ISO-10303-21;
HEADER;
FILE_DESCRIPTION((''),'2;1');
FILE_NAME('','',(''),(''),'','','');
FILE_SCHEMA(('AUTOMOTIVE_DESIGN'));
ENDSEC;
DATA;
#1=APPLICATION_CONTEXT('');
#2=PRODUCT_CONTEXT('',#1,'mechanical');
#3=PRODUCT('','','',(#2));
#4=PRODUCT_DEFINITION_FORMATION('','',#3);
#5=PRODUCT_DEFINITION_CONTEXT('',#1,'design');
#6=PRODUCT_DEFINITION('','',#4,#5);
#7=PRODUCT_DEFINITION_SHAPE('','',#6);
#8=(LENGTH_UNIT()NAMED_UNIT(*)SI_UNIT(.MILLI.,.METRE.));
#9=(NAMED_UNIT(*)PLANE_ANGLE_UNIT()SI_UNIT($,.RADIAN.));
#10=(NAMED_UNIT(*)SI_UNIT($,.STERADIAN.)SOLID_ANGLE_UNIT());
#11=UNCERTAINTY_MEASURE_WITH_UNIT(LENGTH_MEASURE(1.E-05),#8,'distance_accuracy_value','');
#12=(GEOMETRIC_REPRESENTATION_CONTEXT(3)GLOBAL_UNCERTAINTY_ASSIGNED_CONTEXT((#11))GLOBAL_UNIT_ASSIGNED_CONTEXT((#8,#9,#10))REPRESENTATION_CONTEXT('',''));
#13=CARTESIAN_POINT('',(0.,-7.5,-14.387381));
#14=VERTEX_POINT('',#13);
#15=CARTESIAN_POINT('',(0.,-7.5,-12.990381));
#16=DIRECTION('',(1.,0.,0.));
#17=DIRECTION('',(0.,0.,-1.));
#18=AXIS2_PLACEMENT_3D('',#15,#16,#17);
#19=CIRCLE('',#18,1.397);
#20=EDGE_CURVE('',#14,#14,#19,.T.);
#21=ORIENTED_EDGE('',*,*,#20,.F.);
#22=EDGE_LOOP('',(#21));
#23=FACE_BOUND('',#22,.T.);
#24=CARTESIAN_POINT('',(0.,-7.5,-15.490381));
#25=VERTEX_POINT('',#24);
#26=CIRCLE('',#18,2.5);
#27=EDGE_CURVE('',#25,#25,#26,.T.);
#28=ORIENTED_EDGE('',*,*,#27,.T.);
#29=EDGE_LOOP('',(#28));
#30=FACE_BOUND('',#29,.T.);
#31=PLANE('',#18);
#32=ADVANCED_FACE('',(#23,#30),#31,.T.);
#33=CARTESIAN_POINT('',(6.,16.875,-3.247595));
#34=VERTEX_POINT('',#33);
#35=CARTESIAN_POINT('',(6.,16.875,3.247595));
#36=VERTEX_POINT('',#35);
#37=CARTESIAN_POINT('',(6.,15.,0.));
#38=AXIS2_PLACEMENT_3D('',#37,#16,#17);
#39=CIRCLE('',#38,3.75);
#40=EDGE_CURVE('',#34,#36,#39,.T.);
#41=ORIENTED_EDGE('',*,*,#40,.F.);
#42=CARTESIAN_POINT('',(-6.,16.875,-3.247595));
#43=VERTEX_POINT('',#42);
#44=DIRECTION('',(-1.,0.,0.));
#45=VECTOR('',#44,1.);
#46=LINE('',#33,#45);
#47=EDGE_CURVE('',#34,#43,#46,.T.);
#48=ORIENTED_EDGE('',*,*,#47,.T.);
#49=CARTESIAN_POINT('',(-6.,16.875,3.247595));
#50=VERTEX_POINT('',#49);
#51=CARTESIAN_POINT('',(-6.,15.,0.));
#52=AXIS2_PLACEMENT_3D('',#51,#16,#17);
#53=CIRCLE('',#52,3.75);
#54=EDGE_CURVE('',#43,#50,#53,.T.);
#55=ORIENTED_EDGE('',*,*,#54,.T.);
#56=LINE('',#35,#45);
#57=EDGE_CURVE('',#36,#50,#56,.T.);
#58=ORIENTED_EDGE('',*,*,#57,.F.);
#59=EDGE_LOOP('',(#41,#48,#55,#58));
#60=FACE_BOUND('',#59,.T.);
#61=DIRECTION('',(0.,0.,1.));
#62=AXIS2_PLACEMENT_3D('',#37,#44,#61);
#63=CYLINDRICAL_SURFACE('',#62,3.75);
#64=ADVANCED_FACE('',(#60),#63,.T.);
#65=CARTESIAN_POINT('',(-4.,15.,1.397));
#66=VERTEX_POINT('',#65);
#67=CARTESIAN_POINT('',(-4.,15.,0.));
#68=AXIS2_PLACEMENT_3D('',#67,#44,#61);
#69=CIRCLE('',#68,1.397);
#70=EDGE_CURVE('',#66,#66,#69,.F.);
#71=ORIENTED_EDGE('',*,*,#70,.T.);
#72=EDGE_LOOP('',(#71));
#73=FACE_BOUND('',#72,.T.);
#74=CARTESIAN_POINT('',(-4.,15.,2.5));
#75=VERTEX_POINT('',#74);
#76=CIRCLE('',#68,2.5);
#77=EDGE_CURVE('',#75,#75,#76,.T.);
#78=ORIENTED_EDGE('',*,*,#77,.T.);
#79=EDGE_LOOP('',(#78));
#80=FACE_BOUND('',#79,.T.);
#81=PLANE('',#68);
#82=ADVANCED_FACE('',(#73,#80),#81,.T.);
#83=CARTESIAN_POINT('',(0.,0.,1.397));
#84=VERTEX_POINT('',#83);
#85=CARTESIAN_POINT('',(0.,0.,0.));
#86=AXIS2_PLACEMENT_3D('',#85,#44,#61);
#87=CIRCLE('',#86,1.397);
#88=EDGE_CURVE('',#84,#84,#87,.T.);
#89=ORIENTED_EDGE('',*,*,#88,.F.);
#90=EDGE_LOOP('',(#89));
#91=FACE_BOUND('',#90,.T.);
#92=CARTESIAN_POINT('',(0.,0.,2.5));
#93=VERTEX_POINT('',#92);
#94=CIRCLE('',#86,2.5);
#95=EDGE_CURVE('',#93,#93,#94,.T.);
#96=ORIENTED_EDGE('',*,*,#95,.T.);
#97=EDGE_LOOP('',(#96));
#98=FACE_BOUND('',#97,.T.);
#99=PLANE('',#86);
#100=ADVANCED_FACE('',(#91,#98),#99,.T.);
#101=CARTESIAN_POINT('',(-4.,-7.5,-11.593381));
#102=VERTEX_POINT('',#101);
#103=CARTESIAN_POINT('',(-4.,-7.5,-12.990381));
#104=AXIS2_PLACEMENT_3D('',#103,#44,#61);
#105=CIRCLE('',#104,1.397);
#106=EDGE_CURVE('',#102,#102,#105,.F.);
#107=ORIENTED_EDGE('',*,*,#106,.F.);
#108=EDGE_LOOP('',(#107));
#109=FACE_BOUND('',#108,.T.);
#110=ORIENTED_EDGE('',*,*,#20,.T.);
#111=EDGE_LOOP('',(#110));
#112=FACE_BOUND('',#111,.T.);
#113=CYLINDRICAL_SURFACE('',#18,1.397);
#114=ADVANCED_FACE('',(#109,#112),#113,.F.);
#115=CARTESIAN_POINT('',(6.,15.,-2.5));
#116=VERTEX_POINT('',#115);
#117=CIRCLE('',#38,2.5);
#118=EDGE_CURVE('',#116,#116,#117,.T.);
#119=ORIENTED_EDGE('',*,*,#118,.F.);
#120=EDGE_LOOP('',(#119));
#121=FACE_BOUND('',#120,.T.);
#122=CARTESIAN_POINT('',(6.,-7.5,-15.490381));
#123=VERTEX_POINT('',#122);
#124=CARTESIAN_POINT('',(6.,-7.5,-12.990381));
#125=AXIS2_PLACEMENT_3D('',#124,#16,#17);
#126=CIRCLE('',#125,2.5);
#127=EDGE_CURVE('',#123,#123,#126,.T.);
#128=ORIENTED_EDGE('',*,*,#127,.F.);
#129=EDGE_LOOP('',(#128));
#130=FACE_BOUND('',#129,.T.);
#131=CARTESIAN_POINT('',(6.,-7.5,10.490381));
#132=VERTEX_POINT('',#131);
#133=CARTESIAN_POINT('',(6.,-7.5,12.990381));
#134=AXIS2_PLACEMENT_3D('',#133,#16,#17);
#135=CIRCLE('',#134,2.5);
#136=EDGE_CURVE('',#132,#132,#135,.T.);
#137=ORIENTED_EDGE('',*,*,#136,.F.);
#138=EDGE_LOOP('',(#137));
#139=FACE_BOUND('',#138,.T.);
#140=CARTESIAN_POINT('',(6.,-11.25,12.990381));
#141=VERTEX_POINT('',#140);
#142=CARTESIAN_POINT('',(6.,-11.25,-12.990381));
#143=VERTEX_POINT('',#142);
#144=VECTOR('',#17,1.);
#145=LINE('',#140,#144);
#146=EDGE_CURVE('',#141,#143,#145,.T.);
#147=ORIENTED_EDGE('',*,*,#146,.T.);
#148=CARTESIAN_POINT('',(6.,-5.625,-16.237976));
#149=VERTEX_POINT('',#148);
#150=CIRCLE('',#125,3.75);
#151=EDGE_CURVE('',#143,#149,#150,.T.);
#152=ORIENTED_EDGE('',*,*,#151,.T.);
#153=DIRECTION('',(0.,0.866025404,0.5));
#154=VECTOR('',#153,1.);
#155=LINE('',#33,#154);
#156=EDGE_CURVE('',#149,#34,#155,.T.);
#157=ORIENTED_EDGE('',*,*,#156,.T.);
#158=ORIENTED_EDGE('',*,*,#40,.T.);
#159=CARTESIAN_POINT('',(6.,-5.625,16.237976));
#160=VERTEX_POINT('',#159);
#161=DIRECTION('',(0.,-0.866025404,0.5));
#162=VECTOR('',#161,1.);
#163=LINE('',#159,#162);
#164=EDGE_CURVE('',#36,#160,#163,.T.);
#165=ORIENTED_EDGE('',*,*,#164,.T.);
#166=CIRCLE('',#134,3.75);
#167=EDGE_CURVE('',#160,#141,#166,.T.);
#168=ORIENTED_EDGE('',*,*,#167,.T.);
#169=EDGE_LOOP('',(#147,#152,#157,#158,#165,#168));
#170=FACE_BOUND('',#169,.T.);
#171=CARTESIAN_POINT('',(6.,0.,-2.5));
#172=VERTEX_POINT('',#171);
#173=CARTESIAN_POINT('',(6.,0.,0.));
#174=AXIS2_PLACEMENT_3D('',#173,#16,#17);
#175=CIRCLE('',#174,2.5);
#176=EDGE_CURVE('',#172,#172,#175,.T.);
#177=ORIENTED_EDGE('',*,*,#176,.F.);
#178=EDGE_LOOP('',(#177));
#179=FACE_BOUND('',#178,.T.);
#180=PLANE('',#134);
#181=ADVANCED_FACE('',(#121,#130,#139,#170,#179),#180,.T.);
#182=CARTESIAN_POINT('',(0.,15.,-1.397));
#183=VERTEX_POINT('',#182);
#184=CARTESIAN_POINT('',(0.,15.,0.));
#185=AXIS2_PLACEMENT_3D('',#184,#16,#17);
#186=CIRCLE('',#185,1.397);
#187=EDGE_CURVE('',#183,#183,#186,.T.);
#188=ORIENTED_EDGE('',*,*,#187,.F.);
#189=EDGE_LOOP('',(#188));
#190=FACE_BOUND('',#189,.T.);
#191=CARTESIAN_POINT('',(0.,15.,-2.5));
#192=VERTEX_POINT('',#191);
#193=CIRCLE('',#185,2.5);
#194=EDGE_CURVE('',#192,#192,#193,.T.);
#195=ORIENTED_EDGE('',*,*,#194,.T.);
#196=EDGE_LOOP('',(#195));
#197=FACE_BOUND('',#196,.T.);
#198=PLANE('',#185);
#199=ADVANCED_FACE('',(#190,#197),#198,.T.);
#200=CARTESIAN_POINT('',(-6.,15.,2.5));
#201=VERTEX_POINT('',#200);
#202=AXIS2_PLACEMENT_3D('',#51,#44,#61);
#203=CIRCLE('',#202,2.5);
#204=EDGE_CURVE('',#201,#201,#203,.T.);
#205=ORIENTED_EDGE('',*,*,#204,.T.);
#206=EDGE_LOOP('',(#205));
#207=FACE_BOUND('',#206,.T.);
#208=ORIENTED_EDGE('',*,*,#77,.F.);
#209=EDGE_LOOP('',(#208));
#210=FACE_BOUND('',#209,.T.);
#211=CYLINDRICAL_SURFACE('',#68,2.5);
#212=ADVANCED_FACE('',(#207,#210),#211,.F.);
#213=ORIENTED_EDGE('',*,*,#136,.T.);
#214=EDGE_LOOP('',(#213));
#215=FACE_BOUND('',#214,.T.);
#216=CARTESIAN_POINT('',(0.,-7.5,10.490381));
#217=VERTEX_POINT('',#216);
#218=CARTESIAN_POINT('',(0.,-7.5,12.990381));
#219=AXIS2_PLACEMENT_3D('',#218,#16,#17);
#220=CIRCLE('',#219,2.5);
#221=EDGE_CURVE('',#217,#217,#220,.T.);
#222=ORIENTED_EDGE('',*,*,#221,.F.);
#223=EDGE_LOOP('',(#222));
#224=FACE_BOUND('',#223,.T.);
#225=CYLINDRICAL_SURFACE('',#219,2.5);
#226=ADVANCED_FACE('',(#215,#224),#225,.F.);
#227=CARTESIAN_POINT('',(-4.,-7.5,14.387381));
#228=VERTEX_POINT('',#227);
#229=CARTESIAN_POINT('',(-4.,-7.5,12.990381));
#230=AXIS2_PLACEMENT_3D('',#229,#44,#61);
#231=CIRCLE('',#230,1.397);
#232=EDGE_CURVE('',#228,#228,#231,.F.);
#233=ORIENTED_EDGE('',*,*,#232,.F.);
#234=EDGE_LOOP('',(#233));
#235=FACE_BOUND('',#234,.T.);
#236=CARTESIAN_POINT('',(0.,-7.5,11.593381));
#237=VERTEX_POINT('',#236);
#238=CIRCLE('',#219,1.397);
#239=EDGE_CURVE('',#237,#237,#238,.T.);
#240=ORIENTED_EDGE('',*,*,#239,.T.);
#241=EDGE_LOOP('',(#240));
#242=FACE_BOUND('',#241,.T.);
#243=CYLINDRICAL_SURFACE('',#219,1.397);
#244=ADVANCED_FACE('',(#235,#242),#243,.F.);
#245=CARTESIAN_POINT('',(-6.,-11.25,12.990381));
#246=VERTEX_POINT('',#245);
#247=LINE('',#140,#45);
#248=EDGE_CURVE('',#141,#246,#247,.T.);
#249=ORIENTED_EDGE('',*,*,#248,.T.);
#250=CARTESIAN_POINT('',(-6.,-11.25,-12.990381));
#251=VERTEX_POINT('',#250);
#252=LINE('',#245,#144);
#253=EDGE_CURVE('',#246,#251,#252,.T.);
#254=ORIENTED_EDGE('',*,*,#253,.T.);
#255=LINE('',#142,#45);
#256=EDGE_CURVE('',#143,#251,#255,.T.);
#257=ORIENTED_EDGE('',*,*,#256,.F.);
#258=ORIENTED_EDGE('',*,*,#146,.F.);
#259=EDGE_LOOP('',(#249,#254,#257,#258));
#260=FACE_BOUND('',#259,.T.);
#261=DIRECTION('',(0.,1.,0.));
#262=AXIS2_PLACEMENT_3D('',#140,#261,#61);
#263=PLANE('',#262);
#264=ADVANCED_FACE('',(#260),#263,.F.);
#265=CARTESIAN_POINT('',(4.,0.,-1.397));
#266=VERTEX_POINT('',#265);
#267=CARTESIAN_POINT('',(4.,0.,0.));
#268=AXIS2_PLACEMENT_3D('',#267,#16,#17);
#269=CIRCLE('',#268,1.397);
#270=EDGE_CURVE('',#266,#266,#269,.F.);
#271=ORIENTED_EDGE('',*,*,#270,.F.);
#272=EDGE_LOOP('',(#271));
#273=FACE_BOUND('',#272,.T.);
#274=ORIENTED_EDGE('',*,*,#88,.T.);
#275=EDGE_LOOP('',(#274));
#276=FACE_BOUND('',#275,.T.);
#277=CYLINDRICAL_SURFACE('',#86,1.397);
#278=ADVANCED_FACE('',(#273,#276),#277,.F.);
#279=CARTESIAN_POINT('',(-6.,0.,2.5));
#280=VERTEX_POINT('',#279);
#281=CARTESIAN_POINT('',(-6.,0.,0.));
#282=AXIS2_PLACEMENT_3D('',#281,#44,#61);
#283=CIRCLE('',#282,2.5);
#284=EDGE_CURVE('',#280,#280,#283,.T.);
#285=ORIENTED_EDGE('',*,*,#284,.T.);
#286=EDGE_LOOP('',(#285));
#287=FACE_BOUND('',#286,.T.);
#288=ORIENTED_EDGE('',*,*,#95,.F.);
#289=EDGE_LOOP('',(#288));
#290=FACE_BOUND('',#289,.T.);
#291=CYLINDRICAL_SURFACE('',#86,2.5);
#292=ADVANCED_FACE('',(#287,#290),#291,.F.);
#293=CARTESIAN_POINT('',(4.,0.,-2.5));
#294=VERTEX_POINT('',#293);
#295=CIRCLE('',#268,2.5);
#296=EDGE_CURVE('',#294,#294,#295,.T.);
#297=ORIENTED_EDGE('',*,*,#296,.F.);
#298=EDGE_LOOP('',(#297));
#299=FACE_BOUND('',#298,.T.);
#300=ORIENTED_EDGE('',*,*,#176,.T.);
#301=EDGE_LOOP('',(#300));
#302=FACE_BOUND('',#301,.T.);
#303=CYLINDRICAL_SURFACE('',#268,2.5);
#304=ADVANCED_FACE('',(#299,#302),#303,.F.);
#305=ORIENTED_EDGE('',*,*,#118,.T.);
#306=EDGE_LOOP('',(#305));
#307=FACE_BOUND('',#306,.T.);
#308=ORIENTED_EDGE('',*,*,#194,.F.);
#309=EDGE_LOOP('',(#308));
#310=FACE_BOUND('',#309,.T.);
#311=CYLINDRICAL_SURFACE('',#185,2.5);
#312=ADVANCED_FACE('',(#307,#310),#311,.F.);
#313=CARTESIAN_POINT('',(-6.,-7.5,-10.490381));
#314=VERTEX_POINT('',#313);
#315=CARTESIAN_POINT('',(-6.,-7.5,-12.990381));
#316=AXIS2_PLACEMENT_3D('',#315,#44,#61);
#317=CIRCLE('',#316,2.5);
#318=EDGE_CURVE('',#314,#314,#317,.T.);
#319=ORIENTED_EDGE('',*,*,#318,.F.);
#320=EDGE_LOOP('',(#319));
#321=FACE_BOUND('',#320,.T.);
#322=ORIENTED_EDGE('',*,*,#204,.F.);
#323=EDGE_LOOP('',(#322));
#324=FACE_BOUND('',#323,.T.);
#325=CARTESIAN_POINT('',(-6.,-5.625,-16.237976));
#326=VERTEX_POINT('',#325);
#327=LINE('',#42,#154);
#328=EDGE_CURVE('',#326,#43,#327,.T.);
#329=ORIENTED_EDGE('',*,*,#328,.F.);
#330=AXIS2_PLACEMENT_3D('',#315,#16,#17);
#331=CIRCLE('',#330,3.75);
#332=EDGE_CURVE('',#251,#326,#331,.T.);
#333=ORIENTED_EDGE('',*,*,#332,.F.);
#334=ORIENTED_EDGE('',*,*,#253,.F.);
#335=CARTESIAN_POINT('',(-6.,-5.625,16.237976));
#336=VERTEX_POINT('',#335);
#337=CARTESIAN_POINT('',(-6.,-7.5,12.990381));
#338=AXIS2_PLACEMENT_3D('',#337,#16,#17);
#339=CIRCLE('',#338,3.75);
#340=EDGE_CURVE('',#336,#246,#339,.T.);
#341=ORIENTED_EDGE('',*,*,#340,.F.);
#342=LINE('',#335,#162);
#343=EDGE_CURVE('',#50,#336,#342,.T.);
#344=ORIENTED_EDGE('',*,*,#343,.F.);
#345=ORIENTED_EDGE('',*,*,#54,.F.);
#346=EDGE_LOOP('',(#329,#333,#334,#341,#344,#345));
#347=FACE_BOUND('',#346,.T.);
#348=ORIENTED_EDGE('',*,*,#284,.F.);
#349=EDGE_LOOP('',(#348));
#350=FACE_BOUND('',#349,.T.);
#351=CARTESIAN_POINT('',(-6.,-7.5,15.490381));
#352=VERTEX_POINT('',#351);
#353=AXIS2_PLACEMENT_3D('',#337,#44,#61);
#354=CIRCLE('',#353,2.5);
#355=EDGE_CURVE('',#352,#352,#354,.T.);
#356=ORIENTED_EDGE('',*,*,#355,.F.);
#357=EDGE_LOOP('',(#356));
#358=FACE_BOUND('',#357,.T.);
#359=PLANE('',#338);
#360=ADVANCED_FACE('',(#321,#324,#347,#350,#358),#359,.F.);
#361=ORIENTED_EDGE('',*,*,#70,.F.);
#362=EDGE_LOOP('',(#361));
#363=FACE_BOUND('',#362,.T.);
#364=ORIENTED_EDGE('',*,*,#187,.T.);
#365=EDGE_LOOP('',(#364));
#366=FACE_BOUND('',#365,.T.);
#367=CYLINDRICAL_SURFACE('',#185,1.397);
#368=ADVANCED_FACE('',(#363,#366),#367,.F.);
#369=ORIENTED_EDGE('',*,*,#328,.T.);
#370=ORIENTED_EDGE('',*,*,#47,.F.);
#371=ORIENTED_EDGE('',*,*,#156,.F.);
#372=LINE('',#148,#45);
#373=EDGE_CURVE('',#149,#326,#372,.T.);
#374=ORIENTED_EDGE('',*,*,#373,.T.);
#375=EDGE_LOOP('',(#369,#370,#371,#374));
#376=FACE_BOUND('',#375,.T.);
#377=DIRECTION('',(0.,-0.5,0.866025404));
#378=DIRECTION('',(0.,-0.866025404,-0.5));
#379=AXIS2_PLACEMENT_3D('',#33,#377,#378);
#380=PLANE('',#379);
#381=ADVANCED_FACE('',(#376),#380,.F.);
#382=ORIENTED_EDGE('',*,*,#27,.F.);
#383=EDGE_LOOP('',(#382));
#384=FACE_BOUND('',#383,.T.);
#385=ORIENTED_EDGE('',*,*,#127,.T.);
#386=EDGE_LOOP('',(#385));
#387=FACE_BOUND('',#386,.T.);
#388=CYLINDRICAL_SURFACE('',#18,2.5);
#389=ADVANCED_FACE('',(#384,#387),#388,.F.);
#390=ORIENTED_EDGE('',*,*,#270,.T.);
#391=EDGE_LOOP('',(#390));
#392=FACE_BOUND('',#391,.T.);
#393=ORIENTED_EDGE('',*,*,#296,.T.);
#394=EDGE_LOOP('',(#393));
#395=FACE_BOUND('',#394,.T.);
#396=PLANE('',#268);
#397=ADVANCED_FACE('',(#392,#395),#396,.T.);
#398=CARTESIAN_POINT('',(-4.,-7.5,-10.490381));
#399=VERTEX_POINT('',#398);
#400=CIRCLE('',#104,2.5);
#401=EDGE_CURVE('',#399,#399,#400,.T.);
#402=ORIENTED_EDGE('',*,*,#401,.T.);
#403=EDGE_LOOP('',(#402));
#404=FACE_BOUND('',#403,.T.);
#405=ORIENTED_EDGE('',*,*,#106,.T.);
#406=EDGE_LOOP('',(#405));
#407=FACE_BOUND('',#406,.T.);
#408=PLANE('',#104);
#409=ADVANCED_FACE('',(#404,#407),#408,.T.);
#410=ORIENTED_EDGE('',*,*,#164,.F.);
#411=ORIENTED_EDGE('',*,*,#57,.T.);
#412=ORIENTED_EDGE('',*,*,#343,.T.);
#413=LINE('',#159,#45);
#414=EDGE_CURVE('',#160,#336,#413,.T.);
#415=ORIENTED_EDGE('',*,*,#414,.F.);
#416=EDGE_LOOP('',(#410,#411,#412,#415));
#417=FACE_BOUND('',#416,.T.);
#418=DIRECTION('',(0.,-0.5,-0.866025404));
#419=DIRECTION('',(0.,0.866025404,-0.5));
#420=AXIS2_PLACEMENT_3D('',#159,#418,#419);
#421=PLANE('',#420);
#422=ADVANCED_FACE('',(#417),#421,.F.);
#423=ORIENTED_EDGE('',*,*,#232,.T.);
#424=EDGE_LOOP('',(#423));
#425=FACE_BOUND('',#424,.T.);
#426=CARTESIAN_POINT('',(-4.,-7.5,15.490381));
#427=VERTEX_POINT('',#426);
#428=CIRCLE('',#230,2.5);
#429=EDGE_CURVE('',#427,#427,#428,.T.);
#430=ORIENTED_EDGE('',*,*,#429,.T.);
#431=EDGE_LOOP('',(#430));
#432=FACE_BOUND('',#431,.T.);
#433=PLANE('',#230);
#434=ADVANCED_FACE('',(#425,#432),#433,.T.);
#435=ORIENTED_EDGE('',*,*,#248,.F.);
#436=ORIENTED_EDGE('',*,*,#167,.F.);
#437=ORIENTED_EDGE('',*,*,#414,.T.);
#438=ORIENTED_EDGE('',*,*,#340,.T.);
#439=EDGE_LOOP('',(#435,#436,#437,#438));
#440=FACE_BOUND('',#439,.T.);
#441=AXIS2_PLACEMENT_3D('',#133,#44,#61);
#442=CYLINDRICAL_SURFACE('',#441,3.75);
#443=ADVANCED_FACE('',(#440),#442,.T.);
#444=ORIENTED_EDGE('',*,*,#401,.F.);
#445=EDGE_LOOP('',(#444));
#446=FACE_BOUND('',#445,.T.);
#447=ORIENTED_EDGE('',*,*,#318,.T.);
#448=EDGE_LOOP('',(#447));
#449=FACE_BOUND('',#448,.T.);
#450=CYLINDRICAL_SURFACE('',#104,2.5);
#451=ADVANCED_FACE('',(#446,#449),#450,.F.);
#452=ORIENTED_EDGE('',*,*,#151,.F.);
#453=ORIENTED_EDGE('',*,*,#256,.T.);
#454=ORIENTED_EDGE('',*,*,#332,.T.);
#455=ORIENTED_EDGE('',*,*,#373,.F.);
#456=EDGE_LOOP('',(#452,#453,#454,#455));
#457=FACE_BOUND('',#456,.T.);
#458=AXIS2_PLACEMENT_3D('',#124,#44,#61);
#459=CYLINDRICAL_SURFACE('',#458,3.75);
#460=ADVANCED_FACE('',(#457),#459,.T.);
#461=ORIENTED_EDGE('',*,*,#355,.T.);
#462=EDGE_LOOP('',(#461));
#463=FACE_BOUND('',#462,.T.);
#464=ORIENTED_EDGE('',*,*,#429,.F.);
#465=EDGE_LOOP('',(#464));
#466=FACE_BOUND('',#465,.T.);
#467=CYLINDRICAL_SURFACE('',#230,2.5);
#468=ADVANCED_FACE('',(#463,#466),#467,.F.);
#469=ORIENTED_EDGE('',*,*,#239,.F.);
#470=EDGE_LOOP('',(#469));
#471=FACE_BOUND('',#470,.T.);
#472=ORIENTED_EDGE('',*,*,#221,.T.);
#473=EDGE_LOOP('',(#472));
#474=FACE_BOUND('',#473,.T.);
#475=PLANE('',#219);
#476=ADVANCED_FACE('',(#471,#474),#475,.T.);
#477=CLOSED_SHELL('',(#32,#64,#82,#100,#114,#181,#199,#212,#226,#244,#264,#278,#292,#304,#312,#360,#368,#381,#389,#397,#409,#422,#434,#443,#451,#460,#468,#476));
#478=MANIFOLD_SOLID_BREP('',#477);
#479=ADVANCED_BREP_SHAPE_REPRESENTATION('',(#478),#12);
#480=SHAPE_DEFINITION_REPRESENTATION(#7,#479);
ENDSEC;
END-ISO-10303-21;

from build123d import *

# Parameters (mm, degrees)
BOSS_EXTRUDE1_DEPTH       = 6
SKETCH4_R                 = 2.5
CUT_EXTRUDE1_DEPTH        = 6
SKETCH5_R                 = 2.5
CUT_EXTRUDE2_DEPTH        = 6
F_3_CLEARANCE_HOLE1_D     = 2.794
F_3_CLEARANCE_HOLE1_DEPTH = 6
F_3_CLEARANCE_HOLE1_TIP   = 0.839402285
F_3_CLEARANCE_HOLE2_D     = 2.794
F_3_CLEARANCE_HOLE2_DEPTH = 6
F_3_CLEARANCE_HOLE2_TIP   = 0.839402285
CUT_EXTRUDE3_START        = -2
SKETCH11_R                = 2.5
CUT_EXTRUDE3_DEPTH        = 2
CUT_EXTRUDE4_START        = -2
SKETCH12_R                = 2.5
CUT_EXTRUDE4_DEPTH        = 2


with BuildPart() as part:
    # Sketch3 → Boss-Extrude1 (new, symmetric)
    with BuildSketch(Plane(origin=(0, 0, 0), x_dir=(0, 0, -1), z_dir=(1, 0, 0))):
        with BuildLine():
            Line((-16.237976321, -5.625), (-3.247595264, 16.875))
            ThreePointArc((-3.247595264, 16.875), (0, 18.75), (3.247595264, 16.875))
            Line((3.247595264, 16.875), (16.237976321, -5.625))
            ThreePointArc((16.237976321, -5.625), (16.237976321, -9.375), (12.990381057, -11.25))
            Line((12.990381057, -11.25), (-12.990381057, -11.25))
            ThreePointArc((-12.990381057, -11.25), (-16.237976321, -9.375), (-16.237976321, -5.625))
        make_face()
    extrude(amount=BOSS_EXTRUDE1_DEPTH, both=True)

    # Sketch4 → Cut-Extrude1 (cut)
    with BuildSketch(Plane(origin=(6, 0, 0), x_dir=(0, 0, -1), z_dir=(1, 0, 0))):
        with Locations((0, 15)):
            Circle(SKETCH4_R)
        with Locations((-12.990381057, -7.5)):
            Circle(SKETCH4_R)
        with Locations((12.990381057, -7.5)):
            Circle(SKETCH4_R)
    extrude(amount=-CUT_EXTRUDE1_DEPTH, mode=Mode.SUBTRACT)

    # Sketch5 → Cut-Extrude2 (cut)
    with BuildSketch(Plane.ZY.offset(6)):
        Circle(SKETCH5_R)
    extrude(amount=-CUT_EXTRUDE2_DEPTH, mode=Mode.SUBTRACT)

    # #3 Clearance Hole1
    with Locations(Plane(origin=(0, 0, 0), x_dir=(0, 0, -1), z_dir=(1, 0, 0))):
        with Locations((12.990381057, -7.5), (0, 15), (-12.990381057, -7.5)):
            Hole(F_3_CLEARANCE_HOLE1_D / 2, depth=F_3_CLEARANCE_HOLE1_DEPTH)
            with Locations((0, 0, -(F_3_CLEARANCE_HOLE1_DEPTH + F_3_CLEARANCE_HOLE1_TIP / 2))):  # 118° drill point
                Cone(0, F_3_CLEARANCE_HOLE1_D / 2, F_3_CLEARANCE_HOLE1_TIP, mode=Mode.SUBTRACT)

    # #3 Clearance Hole2
    with Locations(Plane.ZY):
        with Locations((0, 0)):
            Hole(F_3_CLEARANCE_HOLE2_D / 2, depth=F_3_CLEARANCE_HOLE2_DEPTH)
            with Locations((0, 0, -(F_3_CLEARANCE_HOLE2_DEPTH + F_3_CLEARANCE_HOLE2_TIP / 2))):  # 118° drill point
                Cone(0, F_3_CLEARANCE_HOLE2_D / 2, F_3_CLEARANCE_HOLE2_TIP, mode=Mode.SUBTRACT)

    # Sketch11 → Cut-Extrude3 (cut)
    with BuildSketch(Plane.ZY.offset(6).offset(CUT_EXTRUDE3_START)):
        with Locations(Location((0, 15, 0), (0, 0, 180))):
            Circle(SKETCH11_R)
        with Locations(Location((-12.990381057, -7.5, 0), (0, 0, 180))):
            Circle(SKETCH11_R)
        with Locations(Location((12.990381057, -7.5, 0), (0, 0, 180))):
            Circle(SKETCH11_R)
    extrude(amount=CUT_EXTRUDE3_DEPTH, mode=Mode.SUBTRACT)

    # Sketch12 → Cut-Extrude4 (cut)
    with BuildSketch(Plane(origin=(6, 0, 0), x_dir=(0, 0, -1), z_dir=(1, 0, 0)).offset(CUT_EXTRUDE4_START)):
        with Locations(Location((0, 0, 0), (0, 0, 180))):
            Circle(SKETCH12_R)
    extrude(amount=CUT_EXTRUDE4_DEPTH, mode=Mode.SUBTRACT)


solid = part.part
